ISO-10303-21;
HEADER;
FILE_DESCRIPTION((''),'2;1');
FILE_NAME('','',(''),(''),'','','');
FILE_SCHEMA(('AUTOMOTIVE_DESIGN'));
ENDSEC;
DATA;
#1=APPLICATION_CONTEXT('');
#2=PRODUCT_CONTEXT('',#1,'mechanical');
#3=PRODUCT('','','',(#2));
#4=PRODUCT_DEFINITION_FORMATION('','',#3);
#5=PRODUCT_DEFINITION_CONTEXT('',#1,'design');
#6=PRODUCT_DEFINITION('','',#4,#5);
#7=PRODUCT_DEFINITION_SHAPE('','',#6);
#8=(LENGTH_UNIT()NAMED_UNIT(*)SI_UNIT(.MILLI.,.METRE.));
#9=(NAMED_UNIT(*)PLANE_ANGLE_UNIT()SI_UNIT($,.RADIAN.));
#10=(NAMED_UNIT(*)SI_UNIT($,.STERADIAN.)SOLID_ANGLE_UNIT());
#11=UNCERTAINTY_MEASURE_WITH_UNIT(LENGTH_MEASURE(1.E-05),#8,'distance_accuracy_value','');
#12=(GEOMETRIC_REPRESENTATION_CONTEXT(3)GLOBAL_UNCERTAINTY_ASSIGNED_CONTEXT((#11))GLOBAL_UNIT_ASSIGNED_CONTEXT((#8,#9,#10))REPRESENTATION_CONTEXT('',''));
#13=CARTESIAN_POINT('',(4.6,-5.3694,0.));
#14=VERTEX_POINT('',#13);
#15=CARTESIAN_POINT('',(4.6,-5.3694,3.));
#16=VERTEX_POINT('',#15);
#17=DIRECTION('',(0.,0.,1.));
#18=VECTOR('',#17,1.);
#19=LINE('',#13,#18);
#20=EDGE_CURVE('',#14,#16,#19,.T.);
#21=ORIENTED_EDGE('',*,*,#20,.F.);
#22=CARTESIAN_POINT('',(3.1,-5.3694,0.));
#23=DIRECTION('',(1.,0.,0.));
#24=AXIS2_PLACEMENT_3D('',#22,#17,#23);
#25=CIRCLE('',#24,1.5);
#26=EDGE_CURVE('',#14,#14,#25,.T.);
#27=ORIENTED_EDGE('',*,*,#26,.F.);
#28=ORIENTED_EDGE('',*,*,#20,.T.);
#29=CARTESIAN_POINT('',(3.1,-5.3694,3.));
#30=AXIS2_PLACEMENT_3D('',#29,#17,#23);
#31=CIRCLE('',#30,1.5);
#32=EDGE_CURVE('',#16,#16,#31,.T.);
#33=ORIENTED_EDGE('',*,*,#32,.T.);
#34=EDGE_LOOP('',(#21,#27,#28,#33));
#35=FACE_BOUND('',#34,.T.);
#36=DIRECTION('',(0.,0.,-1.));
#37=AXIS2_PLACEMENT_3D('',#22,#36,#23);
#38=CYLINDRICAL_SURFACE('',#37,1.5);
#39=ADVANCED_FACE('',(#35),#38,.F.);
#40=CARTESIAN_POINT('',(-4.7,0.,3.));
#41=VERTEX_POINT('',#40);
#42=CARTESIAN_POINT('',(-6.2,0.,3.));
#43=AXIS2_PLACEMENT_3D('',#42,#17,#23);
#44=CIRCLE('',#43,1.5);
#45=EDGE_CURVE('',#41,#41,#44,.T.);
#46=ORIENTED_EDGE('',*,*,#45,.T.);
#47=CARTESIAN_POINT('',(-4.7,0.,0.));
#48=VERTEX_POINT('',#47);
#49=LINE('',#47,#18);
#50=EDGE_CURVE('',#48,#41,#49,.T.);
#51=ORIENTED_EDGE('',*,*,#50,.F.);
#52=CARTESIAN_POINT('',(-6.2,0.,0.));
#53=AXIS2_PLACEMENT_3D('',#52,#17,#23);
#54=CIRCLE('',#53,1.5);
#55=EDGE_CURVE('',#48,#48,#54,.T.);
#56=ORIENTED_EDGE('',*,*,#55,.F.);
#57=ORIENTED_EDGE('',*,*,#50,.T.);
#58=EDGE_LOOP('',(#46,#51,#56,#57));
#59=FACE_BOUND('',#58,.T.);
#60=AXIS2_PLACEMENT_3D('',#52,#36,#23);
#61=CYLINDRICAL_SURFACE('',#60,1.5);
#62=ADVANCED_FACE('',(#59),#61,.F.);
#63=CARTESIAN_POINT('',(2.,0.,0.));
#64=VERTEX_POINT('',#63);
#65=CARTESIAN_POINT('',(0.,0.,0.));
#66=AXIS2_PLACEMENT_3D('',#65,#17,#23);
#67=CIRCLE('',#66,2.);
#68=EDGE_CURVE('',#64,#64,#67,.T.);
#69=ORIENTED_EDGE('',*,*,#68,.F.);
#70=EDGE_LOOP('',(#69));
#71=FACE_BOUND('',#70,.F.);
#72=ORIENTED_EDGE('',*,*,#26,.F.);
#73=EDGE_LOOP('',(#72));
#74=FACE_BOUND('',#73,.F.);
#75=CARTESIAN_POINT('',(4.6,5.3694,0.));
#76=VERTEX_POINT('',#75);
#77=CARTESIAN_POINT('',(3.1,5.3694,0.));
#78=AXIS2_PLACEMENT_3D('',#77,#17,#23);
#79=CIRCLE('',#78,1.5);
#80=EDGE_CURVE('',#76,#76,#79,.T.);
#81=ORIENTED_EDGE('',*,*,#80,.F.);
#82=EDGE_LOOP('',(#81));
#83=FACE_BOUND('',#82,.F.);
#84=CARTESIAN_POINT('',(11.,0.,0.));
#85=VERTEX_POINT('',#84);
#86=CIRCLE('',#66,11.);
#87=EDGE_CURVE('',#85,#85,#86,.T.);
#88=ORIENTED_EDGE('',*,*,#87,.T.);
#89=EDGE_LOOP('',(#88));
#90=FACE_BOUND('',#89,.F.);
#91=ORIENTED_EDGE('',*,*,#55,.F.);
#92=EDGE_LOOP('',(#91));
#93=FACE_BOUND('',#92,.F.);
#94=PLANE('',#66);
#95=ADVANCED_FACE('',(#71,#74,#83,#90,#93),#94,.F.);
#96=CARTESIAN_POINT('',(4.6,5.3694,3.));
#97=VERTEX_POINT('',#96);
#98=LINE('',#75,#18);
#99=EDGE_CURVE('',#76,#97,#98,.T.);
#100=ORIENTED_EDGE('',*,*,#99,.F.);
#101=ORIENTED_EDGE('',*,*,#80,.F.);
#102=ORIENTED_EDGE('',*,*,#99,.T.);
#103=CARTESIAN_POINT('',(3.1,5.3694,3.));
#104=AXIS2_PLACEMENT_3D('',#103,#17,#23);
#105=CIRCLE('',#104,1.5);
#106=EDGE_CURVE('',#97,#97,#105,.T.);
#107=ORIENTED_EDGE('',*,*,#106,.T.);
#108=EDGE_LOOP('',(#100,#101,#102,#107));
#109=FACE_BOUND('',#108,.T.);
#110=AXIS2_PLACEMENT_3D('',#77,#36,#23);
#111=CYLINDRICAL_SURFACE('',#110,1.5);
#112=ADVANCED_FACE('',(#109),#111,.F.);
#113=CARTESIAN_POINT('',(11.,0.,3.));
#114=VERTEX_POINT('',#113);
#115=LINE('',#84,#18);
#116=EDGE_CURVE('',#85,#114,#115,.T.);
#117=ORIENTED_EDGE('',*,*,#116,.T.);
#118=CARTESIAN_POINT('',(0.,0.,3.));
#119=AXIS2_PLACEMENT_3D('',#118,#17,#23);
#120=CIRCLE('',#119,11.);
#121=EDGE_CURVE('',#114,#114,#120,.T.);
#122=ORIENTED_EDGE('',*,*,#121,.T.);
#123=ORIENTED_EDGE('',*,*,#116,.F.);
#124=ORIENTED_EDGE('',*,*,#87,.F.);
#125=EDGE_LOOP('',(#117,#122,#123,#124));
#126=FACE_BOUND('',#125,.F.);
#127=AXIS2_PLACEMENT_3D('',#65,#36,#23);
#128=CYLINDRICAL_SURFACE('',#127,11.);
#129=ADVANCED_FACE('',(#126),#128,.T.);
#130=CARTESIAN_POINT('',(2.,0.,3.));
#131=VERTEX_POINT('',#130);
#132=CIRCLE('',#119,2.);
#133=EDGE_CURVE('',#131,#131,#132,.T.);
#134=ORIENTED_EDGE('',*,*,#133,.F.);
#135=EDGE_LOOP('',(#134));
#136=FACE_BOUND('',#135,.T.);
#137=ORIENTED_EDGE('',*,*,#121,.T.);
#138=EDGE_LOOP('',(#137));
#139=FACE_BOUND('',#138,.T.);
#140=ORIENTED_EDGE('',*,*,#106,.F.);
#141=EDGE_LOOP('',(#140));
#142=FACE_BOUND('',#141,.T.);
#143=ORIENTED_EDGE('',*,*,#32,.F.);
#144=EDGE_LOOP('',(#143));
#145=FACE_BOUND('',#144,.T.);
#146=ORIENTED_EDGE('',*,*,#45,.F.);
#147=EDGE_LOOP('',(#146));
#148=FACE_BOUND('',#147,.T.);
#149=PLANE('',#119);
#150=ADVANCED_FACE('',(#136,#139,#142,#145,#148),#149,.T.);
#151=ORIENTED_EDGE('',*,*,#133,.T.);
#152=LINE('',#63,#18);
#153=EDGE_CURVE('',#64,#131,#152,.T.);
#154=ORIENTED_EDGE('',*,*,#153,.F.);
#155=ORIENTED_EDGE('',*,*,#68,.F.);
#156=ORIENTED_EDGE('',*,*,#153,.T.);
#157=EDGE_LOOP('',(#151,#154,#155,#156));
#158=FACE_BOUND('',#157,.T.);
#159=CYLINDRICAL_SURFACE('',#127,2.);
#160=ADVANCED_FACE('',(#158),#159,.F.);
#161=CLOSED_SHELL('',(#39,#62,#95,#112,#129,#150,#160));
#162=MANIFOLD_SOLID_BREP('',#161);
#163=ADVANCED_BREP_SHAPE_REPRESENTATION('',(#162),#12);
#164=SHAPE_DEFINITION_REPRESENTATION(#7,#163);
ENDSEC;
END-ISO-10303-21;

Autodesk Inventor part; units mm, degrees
ref_plane "YZ Plane" through (0, 0, 0) normal (1, 0, 0) x (0, 1, 0)
ref_plane "XZ Plane" through (0, 0, 0) normal (0, 1, 0) x (-1, 0, 0)
ref_plane "XY Plane" through (0, 0, 0) normal (0, 0, 1) x (1, 0, 0)
sketch "Sketch1" plane through (0, 0, 0) normal (0, 0, 1) x (1, 0, 0)
  point P0 (0, 0)
sketch "Sketch2" plane through (0, 0, 0) normal (0, 0, 1) x (1, 0, 0)
  circle A0 centre (0, 0) radius 11
  circle A1 centre (0, 0) radius 2
  circle A2 centre (-6.2, 0) radius 1.5
  circle A3 centre (0, 0) radius 6.2 construction
  circle A4 centre (3.1, -5.3694) radius 1.5
  circle A5 centre (3.1, 5.3694) radius 1.5
  dimension "d3" = 12.4
  dimension "d0" = 22
  dimension "d1" = 4
  dimension "d2" = 3
  dimension "d6" = 360
extrude "Extrusion1" add sketch "Sketch2" along normal blind 3
properties part number "WheelAdapter-4mm-2" material "Aluminum 6061"
